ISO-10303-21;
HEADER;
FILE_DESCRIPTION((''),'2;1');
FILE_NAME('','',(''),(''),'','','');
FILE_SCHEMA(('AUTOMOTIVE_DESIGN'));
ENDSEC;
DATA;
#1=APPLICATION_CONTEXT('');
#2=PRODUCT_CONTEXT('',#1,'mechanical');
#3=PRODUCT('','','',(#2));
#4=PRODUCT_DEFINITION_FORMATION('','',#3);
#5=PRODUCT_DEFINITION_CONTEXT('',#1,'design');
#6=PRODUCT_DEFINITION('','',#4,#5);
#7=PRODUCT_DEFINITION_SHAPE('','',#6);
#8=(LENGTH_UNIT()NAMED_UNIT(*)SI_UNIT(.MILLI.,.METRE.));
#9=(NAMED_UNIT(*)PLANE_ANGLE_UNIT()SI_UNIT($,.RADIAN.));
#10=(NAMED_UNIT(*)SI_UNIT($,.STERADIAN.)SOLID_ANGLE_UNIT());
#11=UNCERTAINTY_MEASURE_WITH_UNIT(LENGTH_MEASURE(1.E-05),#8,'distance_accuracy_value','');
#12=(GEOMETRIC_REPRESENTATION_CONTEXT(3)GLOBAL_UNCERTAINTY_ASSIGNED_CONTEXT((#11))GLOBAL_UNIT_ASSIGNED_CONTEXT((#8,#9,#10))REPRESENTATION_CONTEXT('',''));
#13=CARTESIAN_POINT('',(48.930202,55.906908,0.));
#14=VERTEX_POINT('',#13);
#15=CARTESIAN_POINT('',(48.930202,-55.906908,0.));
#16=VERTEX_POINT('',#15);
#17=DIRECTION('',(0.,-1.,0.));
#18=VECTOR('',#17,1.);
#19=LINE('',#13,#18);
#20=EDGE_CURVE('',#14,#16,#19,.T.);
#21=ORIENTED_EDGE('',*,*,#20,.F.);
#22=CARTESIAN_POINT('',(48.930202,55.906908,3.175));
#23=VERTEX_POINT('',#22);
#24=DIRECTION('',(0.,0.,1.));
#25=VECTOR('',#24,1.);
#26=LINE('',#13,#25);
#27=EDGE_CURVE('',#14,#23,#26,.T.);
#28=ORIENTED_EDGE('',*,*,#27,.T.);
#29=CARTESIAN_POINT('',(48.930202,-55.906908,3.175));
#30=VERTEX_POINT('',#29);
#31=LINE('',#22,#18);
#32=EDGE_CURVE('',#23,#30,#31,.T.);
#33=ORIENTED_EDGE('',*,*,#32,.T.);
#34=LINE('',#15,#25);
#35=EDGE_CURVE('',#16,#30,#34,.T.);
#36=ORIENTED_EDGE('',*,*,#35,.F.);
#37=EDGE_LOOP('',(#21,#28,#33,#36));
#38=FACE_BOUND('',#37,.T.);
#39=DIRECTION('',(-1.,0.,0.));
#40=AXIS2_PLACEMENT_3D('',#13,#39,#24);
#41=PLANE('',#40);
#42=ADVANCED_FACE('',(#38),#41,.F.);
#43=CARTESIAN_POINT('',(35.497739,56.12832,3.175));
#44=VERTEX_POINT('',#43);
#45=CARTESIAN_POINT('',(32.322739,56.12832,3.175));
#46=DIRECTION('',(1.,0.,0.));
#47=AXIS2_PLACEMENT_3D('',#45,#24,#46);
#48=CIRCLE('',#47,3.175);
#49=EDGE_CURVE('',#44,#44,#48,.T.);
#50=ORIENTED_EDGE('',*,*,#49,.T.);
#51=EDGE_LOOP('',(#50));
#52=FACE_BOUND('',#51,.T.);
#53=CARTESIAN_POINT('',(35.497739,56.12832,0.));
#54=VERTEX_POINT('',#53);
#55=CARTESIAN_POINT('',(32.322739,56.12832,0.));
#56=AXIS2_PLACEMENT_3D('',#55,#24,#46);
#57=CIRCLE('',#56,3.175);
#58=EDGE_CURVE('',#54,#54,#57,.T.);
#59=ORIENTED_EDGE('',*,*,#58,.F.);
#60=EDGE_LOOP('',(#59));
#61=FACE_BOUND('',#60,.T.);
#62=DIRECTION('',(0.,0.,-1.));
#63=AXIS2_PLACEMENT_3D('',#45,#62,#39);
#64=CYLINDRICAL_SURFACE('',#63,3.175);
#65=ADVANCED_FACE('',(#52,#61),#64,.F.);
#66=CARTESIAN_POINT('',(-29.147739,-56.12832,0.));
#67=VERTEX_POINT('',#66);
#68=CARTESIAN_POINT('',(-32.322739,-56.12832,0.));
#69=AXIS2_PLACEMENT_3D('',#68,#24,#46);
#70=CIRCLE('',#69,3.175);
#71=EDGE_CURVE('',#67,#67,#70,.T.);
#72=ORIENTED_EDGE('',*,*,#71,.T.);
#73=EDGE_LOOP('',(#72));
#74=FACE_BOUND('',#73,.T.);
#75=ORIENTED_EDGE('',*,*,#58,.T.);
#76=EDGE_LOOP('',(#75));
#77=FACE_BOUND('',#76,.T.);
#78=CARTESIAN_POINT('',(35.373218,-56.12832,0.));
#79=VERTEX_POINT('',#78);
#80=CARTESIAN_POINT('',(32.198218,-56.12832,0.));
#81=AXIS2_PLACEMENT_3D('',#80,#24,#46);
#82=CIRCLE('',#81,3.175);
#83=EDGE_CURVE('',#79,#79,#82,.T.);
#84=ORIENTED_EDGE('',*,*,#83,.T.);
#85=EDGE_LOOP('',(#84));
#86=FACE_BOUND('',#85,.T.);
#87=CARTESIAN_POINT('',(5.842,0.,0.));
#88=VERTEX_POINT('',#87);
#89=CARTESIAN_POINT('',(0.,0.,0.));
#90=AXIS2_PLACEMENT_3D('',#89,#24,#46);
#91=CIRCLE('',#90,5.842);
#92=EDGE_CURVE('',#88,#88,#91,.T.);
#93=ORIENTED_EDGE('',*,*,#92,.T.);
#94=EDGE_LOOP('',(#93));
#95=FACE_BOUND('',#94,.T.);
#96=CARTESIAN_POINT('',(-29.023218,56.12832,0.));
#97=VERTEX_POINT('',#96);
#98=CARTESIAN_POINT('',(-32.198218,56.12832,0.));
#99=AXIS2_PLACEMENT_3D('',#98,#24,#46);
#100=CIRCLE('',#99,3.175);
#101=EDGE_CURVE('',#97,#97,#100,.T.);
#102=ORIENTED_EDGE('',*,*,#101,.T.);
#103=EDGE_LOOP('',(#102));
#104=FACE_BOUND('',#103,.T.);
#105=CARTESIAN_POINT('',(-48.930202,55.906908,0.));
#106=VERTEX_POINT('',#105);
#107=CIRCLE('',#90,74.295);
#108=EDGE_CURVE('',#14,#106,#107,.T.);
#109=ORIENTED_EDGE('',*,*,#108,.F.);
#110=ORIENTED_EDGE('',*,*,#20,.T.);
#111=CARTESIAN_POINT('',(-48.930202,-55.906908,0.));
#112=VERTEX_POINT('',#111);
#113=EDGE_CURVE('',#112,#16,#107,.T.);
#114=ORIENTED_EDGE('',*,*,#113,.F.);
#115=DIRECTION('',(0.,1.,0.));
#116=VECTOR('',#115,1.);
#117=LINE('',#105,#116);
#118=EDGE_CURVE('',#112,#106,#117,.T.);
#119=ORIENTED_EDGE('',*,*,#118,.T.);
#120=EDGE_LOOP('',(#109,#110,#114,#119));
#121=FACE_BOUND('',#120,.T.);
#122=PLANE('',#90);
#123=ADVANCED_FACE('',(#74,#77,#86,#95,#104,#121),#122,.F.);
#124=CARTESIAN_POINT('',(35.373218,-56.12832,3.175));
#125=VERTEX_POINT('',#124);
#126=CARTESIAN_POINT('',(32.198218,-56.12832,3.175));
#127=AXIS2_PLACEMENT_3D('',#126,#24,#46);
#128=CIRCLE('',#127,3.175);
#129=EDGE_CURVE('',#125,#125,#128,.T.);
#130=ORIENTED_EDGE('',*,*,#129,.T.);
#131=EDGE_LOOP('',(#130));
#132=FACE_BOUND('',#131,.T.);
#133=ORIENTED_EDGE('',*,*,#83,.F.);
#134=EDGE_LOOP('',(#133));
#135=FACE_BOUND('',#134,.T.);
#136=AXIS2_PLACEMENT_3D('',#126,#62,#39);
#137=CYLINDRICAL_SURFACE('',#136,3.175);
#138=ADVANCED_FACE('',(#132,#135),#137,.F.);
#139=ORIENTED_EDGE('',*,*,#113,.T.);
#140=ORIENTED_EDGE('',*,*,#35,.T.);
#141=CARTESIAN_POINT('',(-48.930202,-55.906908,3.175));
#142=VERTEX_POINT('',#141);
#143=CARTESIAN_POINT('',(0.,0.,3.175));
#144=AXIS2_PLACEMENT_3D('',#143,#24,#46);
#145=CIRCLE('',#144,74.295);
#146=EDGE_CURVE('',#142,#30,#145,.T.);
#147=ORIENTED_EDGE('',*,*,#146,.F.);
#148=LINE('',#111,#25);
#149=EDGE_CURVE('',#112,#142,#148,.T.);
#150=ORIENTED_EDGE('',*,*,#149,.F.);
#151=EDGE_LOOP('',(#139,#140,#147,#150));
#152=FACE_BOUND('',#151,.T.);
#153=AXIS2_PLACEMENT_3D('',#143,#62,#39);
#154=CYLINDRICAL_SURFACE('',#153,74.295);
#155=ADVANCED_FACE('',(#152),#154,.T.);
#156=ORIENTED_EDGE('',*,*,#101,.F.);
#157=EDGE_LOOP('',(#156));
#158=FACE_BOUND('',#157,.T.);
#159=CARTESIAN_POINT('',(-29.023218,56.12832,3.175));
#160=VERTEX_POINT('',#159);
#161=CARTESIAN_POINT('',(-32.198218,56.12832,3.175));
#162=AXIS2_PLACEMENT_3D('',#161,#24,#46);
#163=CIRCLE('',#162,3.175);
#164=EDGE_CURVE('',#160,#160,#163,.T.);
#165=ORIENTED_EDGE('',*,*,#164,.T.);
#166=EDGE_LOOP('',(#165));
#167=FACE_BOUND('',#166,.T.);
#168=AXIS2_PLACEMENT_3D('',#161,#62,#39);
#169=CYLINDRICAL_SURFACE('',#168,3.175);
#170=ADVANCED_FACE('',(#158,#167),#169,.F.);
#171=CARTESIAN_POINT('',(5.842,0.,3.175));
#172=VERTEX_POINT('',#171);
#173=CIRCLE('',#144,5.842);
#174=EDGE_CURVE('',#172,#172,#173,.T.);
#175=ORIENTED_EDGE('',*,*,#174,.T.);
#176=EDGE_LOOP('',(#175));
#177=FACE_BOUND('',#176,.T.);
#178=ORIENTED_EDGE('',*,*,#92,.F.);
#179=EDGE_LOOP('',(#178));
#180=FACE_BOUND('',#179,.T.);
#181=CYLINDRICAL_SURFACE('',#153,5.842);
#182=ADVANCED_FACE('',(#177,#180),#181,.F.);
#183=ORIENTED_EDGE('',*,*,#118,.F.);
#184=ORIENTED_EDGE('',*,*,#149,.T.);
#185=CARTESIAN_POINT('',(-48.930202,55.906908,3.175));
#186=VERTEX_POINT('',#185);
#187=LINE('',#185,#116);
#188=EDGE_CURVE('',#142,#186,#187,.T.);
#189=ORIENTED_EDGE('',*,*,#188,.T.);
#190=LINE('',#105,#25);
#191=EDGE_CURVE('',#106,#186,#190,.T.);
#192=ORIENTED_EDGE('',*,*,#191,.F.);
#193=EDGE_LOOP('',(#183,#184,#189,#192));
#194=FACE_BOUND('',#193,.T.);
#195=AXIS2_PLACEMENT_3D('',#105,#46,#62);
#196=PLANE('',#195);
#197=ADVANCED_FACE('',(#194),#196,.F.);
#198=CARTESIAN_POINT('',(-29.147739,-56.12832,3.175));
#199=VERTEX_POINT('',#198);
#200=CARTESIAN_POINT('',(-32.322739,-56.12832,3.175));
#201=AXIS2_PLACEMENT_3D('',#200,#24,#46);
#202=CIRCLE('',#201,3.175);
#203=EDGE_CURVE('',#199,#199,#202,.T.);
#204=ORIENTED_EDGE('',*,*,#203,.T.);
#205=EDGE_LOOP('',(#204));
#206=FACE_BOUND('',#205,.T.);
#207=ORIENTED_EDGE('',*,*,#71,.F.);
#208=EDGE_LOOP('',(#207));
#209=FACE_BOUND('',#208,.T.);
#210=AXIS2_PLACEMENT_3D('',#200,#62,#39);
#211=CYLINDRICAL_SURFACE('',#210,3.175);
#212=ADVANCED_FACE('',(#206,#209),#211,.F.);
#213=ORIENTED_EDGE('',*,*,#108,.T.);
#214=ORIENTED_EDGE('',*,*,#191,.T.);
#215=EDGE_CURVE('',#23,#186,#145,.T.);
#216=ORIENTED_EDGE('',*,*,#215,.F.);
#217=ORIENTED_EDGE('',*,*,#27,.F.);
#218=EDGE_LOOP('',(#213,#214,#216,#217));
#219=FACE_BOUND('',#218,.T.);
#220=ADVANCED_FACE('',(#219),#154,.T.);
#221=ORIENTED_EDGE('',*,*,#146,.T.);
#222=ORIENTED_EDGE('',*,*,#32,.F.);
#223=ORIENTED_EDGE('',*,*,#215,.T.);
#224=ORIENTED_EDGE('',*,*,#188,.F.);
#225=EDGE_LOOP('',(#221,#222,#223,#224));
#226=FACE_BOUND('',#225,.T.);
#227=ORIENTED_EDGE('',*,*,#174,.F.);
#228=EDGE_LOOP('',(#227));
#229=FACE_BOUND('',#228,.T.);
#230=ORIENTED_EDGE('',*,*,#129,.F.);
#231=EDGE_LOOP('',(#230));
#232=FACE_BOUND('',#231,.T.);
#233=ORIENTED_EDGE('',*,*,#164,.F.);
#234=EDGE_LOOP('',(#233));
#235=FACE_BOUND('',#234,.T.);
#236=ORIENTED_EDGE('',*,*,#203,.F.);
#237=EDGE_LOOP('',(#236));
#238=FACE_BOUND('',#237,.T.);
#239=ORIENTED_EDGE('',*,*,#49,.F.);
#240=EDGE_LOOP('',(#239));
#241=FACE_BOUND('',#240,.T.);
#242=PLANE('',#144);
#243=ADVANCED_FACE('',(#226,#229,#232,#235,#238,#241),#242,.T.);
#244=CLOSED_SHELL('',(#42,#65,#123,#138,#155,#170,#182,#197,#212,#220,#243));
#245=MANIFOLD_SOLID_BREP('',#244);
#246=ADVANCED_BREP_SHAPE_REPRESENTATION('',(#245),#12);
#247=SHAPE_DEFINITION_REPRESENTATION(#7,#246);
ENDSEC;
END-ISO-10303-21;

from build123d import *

# Parameters (mm, degrees)
SKETCH3_R           = 74.295
SKETCH3_R_2         = 3.175
SKETCH3_R_3         = 5.842
BOSS_EXTRUDE2_DEPTH = 3.175
CUT_EXTRUDE2_DEPTH  = 4.175


with BuildPart() as part:
    # Sketch3 → Boss-Extrude2 (new body)
    with BuildSketch(Plane.XY):
        Circle(SKETCH3_R)
        with Locations((-32.198217622, 56.128319663)):
            Circle(SKETCH3_R_2, mode=Mode.SUBTRACT)
        with Locations((32.322739207, 56.128319663)):
            Circle(SKETCH3_R_2, mode=Mode.SUBTRACT)
        with Locations((-32.322739207, -56.128319663)):
            Circle(SKETCH3_R_2, mode=Mode.SUBTRACT)
        with Locations((32.198217622, -56.128319663)):
            Circle(SKETCH3_R_2, mode=Mode.SUBTRACT)
        Circle(SKETCH3_R_3, mode=Mode.SUBTRACT)
    extrude(amount=BOSS_EXTRUDE2_DEPTH)

    # Sketch4 → Cut-Extrude2 (cut, through all)
    with BuildSketch(Plane.XY.offset(3.175)):
        with BuildLine():
            Line((-48.930202294, 55.906907699), (-48.930202294, -55.906907699))
            ThreePointArc((-48.930202294, -55.906907699), (-74.295, 0), (-48.930202294, 55.906907699))
        make_face()
        with BuildLine():
            Line((48.930202294, 55.906907699), (48.930202294, -55.906907699))
            ThreePointArc((48.930202294, -55.906907699), (74.295, 0), (48.930202294, 55.906907699))
        make_face()
    extrude(amount=-CUT_EXTRUDE2_DEPTH, mode=Mode.SUBTRACT)


solid = part.part
